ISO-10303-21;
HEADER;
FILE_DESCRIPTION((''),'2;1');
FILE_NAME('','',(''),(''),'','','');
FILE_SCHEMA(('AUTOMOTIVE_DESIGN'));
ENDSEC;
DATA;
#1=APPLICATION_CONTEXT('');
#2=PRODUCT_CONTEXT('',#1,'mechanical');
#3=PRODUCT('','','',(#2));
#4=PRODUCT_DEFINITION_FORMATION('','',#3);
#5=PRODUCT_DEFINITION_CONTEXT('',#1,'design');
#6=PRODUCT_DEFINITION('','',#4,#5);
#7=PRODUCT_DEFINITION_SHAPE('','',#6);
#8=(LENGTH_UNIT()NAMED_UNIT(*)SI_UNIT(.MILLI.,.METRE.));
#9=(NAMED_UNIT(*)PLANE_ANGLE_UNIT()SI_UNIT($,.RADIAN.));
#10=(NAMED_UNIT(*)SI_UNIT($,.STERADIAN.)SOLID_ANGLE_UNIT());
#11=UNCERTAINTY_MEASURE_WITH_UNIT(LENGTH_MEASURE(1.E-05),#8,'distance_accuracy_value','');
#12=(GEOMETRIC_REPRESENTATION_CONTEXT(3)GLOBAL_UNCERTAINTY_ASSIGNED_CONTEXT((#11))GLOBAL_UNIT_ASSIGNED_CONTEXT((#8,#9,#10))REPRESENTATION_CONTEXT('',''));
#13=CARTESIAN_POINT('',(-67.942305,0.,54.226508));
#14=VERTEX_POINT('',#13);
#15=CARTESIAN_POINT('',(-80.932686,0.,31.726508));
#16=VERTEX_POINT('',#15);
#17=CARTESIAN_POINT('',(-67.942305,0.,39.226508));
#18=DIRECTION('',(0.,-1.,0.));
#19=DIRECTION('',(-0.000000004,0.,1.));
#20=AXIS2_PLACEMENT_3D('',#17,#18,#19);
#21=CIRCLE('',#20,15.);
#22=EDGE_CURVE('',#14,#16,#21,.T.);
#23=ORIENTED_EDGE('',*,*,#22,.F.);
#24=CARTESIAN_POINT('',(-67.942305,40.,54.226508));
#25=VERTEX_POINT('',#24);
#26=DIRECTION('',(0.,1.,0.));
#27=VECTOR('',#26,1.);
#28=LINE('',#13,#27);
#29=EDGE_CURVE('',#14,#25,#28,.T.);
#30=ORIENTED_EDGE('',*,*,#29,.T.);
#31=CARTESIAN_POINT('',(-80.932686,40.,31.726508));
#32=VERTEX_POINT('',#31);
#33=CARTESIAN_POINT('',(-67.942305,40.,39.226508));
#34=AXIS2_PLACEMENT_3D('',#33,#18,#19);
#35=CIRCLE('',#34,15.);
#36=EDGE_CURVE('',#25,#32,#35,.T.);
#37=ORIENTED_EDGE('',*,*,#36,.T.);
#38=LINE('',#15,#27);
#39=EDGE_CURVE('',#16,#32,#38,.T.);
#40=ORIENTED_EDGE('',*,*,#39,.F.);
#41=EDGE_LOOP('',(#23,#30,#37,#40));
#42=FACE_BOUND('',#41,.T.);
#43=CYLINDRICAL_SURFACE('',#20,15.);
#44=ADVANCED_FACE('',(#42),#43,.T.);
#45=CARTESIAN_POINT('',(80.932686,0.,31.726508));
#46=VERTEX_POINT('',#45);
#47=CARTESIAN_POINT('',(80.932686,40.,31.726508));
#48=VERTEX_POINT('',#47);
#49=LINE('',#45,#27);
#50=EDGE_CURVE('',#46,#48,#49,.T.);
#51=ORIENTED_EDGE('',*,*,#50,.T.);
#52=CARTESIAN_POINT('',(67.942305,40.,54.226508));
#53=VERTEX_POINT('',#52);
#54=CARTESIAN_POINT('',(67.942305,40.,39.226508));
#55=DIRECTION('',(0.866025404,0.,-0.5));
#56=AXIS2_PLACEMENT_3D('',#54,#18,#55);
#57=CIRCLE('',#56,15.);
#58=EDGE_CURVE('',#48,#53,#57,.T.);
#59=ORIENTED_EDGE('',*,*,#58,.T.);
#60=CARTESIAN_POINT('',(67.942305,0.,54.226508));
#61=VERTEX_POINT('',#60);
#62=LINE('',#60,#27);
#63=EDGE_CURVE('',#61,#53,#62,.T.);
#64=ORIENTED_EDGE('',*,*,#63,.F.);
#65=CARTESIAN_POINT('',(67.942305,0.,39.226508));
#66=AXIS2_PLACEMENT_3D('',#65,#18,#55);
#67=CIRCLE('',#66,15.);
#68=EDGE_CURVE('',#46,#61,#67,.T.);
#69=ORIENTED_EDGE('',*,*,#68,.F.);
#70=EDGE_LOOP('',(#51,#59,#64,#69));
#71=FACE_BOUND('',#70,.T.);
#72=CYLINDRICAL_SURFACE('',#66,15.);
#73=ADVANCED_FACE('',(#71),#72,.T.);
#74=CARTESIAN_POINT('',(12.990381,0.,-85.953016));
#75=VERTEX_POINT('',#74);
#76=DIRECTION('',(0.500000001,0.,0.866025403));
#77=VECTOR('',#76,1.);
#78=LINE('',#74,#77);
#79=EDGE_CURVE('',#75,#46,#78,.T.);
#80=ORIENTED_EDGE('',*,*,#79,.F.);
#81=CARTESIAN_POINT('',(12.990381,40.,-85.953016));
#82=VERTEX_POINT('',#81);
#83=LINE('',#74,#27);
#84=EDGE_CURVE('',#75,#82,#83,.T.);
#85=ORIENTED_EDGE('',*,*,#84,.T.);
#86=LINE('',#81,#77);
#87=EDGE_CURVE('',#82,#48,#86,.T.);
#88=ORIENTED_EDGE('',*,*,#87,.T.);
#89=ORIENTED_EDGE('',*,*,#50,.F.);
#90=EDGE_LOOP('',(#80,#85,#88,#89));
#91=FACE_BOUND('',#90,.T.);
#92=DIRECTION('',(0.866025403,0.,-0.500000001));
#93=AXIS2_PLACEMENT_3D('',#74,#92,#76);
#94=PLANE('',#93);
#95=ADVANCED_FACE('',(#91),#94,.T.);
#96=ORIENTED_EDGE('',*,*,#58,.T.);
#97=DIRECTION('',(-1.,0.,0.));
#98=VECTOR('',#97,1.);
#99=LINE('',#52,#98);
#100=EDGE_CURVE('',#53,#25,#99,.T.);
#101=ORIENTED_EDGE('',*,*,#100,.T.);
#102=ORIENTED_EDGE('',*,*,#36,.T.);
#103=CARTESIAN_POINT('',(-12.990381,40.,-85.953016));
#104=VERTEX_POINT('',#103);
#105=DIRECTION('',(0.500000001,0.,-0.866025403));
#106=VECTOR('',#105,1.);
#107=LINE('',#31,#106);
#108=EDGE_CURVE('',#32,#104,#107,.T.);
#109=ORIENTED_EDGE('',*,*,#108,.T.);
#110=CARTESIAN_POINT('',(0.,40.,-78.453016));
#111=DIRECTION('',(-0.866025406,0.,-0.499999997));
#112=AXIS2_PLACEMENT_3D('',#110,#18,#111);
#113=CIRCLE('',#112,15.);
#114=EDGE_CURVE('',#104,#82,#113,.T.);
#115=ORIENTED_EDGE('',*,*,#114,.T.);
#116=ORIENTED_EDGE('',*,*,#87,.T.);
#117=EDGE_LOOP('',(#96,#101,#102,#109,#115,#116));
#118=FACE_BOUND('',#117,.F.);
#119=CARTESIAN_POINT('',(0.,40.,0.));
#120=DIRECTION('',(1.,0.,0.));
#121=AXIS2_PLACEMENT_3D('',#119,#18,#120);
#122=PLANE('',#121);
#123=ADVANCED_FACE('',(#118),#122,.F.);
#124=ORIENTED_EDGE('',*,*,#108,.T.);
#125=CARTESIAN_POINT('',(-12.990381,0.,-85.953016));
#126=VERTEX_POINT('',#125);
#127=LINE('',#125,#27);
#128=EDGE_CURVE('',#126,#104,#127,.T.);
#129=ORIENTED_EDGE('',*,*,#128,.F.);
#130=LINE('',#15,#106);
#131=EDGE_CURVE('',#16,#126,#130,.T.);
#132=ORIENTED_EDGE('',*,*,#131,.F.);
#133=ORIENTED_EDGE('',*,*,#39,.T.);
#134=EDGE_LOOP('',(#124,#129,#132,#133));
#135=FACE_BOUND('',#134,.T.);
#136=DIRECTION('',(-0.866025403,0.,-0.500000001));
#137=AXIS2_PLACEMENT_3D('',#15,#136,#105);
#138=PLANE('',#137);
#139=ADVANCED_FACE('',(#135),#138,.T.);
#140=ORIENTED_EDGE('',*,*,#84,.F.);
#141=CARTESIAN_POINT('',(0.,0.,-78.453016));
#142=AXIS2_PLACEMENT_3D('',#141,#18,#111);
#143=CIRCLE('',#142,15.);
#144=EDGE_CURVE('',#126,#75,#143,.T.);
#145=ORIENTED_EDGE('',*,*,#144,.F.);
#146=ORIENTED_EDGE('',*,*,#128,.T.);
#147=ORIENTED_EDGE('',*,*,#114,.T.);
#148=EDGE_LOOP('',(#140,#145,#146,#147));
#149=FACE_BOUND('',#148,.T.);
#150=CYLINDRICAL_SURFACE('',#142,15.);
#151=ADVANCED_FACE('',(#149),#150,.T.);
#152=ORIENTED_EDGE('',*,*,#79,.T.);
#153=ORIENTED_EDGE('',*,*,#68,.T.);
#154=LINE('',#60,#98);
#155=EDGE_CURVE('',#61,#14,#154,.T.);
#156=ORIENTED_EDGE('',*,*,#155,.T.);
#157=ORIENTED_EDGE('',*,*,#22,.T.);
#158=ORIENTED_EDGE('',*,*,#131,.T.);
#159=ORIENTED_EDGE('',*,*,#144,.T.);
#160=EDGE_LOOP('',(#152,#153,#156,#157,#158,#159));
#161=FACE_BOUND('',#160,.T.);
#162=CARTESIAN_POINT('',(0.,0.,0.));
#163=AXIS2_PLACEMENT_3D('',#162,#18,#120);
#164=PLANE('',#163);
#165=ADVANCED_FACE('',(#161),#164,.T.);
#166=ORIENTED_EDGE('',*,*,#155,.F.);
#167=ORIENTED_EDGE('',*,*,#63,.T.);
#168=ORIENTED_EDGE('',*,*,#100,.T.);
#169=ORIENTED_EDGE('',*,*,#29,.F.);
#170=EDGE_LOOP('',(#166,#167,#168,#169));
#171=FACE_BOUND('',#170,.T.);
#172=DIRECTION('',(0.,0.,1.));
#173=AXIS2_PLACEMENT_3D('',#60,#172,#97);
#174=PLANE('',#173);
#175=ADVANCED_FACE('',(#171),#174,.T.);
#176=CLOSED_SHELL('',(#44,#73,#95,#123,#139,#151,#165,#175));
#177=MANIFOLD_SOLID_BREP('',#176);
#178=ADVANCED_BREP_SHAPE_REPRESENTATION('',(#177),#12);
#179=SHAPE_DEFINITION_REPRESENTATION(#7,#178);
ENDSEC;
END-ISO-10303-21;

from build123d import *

# Parameters (mm, degrees)
F1_DEPTH = 40


with BuildPart() as f1:
    # F0 (on Front) → F1 (new body)
    with BuildSketch(Plane.XZ):
        with BuildLine():
            Line((67.942305, 54.226508), (-67.942305, 54.226508))
            ThreePointArc((-67.942305, 54.226508), (-80.932686, 46.726508), (-80.932686, 31.726508))
            Line((-80.932686, 31.726508), (-12.990381, -85.953016))
            ThreePointArc((-12.990381, -85.953016), (0, -93.453016), (12.990381, -85.953016))
            Line((12.990381, -85.953016), (80.932686, 31.726508))
            ThreePointArc((80.932686, 31.726508), (80.932686, 46.726508), (67.942305, 54.226508))
        make_face()
    extrude(amount=-F1_DEPTH)


solid = f1.part
